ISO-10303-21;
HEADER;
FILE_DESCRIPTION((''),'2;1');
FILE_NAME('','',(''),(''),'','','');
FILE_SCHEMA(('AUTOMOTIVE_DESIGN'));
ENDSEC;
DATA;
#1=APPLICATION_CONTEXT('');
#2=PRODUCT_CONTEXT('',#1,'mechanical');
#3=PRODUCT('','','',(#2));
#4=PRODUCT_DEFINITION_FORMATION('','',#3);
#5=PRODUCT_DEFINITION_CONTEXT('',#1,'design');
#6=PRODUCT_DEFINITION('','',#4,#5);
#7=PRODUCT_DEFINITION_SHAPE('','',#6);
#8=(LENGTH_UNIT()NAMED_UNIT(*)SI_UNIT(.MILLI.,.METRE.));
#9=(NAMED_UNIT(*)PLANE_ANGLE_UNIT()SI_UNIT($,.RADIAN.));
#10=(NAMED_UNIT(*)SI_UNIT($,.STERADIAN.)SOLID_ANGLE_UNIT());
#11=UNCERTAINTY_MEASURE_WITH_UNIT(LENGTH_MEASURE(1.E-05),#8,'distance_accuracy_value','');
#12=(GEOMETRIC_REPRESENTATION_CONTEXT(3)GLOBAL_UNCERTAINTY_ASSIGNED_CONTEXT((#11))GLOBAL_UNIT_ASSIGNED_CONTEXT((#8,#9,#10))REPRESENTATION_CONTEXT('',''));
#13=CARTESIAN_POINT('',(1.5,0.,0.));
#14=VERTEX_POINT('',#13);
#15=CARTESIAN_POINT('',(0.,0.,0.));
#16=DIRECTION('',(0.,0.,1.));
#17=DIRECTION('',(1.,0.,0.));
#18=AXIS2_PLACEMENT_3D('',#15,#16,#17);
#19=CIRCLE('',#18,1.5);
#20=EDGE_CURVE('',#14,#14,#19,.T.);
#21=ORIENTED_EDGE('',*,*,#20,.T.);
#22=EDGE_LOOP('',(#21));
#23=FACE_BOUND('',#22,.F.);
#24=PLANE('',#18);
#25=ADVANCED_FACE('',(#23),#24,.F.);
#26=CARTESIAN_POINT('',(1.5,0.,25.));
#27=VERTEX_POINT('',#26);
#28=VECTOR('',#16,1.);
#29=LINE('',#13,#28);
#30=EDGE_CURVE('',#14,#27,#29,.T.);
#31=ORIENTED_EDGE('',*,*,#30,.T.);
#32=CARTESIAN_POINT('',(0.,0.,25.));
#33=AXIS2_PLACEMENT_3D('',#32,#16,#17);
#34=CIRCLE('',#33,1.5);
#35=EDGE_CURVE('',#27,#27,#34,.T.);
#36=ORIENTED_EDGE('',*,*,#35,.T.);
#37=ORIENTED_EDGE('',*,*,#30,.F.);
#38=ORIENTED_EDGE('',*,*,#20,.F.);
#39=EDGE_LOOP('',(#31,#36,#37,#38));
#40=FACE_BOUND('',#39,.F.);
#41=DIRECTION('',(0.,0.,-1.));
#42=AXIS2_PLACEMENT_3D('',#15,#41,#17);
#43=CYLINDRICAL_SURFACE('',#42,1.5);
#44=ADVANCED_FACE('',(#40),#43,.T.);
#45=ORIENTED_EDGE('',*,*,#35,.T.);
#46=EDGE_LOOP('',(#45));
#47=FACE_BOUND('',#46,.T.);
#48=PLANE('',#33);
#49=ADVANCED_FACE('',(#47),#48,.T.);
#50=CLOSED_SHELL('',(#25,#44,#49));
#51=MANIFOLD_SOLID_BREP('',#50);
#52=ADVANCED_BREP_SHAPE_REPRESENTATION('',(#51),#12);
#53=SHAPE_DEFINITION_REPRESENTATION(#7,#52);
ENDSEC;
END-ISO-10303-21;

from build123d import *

# Parameters (mm, degrees)
ESBO_O1_R                = 1.5
RESSALTO_EXTRUS_O1_DEPTH = 25


with BuildPart() as part:
    # Esboço1 → Ressalto-extrusão1 (new body)
    with BuildSketch(Plane.XY):
        Circle(ESBO_O1_R)
    extrude(amount=RESSALTO_EXTRUS_O1_DEPTH)


solid = part.part
